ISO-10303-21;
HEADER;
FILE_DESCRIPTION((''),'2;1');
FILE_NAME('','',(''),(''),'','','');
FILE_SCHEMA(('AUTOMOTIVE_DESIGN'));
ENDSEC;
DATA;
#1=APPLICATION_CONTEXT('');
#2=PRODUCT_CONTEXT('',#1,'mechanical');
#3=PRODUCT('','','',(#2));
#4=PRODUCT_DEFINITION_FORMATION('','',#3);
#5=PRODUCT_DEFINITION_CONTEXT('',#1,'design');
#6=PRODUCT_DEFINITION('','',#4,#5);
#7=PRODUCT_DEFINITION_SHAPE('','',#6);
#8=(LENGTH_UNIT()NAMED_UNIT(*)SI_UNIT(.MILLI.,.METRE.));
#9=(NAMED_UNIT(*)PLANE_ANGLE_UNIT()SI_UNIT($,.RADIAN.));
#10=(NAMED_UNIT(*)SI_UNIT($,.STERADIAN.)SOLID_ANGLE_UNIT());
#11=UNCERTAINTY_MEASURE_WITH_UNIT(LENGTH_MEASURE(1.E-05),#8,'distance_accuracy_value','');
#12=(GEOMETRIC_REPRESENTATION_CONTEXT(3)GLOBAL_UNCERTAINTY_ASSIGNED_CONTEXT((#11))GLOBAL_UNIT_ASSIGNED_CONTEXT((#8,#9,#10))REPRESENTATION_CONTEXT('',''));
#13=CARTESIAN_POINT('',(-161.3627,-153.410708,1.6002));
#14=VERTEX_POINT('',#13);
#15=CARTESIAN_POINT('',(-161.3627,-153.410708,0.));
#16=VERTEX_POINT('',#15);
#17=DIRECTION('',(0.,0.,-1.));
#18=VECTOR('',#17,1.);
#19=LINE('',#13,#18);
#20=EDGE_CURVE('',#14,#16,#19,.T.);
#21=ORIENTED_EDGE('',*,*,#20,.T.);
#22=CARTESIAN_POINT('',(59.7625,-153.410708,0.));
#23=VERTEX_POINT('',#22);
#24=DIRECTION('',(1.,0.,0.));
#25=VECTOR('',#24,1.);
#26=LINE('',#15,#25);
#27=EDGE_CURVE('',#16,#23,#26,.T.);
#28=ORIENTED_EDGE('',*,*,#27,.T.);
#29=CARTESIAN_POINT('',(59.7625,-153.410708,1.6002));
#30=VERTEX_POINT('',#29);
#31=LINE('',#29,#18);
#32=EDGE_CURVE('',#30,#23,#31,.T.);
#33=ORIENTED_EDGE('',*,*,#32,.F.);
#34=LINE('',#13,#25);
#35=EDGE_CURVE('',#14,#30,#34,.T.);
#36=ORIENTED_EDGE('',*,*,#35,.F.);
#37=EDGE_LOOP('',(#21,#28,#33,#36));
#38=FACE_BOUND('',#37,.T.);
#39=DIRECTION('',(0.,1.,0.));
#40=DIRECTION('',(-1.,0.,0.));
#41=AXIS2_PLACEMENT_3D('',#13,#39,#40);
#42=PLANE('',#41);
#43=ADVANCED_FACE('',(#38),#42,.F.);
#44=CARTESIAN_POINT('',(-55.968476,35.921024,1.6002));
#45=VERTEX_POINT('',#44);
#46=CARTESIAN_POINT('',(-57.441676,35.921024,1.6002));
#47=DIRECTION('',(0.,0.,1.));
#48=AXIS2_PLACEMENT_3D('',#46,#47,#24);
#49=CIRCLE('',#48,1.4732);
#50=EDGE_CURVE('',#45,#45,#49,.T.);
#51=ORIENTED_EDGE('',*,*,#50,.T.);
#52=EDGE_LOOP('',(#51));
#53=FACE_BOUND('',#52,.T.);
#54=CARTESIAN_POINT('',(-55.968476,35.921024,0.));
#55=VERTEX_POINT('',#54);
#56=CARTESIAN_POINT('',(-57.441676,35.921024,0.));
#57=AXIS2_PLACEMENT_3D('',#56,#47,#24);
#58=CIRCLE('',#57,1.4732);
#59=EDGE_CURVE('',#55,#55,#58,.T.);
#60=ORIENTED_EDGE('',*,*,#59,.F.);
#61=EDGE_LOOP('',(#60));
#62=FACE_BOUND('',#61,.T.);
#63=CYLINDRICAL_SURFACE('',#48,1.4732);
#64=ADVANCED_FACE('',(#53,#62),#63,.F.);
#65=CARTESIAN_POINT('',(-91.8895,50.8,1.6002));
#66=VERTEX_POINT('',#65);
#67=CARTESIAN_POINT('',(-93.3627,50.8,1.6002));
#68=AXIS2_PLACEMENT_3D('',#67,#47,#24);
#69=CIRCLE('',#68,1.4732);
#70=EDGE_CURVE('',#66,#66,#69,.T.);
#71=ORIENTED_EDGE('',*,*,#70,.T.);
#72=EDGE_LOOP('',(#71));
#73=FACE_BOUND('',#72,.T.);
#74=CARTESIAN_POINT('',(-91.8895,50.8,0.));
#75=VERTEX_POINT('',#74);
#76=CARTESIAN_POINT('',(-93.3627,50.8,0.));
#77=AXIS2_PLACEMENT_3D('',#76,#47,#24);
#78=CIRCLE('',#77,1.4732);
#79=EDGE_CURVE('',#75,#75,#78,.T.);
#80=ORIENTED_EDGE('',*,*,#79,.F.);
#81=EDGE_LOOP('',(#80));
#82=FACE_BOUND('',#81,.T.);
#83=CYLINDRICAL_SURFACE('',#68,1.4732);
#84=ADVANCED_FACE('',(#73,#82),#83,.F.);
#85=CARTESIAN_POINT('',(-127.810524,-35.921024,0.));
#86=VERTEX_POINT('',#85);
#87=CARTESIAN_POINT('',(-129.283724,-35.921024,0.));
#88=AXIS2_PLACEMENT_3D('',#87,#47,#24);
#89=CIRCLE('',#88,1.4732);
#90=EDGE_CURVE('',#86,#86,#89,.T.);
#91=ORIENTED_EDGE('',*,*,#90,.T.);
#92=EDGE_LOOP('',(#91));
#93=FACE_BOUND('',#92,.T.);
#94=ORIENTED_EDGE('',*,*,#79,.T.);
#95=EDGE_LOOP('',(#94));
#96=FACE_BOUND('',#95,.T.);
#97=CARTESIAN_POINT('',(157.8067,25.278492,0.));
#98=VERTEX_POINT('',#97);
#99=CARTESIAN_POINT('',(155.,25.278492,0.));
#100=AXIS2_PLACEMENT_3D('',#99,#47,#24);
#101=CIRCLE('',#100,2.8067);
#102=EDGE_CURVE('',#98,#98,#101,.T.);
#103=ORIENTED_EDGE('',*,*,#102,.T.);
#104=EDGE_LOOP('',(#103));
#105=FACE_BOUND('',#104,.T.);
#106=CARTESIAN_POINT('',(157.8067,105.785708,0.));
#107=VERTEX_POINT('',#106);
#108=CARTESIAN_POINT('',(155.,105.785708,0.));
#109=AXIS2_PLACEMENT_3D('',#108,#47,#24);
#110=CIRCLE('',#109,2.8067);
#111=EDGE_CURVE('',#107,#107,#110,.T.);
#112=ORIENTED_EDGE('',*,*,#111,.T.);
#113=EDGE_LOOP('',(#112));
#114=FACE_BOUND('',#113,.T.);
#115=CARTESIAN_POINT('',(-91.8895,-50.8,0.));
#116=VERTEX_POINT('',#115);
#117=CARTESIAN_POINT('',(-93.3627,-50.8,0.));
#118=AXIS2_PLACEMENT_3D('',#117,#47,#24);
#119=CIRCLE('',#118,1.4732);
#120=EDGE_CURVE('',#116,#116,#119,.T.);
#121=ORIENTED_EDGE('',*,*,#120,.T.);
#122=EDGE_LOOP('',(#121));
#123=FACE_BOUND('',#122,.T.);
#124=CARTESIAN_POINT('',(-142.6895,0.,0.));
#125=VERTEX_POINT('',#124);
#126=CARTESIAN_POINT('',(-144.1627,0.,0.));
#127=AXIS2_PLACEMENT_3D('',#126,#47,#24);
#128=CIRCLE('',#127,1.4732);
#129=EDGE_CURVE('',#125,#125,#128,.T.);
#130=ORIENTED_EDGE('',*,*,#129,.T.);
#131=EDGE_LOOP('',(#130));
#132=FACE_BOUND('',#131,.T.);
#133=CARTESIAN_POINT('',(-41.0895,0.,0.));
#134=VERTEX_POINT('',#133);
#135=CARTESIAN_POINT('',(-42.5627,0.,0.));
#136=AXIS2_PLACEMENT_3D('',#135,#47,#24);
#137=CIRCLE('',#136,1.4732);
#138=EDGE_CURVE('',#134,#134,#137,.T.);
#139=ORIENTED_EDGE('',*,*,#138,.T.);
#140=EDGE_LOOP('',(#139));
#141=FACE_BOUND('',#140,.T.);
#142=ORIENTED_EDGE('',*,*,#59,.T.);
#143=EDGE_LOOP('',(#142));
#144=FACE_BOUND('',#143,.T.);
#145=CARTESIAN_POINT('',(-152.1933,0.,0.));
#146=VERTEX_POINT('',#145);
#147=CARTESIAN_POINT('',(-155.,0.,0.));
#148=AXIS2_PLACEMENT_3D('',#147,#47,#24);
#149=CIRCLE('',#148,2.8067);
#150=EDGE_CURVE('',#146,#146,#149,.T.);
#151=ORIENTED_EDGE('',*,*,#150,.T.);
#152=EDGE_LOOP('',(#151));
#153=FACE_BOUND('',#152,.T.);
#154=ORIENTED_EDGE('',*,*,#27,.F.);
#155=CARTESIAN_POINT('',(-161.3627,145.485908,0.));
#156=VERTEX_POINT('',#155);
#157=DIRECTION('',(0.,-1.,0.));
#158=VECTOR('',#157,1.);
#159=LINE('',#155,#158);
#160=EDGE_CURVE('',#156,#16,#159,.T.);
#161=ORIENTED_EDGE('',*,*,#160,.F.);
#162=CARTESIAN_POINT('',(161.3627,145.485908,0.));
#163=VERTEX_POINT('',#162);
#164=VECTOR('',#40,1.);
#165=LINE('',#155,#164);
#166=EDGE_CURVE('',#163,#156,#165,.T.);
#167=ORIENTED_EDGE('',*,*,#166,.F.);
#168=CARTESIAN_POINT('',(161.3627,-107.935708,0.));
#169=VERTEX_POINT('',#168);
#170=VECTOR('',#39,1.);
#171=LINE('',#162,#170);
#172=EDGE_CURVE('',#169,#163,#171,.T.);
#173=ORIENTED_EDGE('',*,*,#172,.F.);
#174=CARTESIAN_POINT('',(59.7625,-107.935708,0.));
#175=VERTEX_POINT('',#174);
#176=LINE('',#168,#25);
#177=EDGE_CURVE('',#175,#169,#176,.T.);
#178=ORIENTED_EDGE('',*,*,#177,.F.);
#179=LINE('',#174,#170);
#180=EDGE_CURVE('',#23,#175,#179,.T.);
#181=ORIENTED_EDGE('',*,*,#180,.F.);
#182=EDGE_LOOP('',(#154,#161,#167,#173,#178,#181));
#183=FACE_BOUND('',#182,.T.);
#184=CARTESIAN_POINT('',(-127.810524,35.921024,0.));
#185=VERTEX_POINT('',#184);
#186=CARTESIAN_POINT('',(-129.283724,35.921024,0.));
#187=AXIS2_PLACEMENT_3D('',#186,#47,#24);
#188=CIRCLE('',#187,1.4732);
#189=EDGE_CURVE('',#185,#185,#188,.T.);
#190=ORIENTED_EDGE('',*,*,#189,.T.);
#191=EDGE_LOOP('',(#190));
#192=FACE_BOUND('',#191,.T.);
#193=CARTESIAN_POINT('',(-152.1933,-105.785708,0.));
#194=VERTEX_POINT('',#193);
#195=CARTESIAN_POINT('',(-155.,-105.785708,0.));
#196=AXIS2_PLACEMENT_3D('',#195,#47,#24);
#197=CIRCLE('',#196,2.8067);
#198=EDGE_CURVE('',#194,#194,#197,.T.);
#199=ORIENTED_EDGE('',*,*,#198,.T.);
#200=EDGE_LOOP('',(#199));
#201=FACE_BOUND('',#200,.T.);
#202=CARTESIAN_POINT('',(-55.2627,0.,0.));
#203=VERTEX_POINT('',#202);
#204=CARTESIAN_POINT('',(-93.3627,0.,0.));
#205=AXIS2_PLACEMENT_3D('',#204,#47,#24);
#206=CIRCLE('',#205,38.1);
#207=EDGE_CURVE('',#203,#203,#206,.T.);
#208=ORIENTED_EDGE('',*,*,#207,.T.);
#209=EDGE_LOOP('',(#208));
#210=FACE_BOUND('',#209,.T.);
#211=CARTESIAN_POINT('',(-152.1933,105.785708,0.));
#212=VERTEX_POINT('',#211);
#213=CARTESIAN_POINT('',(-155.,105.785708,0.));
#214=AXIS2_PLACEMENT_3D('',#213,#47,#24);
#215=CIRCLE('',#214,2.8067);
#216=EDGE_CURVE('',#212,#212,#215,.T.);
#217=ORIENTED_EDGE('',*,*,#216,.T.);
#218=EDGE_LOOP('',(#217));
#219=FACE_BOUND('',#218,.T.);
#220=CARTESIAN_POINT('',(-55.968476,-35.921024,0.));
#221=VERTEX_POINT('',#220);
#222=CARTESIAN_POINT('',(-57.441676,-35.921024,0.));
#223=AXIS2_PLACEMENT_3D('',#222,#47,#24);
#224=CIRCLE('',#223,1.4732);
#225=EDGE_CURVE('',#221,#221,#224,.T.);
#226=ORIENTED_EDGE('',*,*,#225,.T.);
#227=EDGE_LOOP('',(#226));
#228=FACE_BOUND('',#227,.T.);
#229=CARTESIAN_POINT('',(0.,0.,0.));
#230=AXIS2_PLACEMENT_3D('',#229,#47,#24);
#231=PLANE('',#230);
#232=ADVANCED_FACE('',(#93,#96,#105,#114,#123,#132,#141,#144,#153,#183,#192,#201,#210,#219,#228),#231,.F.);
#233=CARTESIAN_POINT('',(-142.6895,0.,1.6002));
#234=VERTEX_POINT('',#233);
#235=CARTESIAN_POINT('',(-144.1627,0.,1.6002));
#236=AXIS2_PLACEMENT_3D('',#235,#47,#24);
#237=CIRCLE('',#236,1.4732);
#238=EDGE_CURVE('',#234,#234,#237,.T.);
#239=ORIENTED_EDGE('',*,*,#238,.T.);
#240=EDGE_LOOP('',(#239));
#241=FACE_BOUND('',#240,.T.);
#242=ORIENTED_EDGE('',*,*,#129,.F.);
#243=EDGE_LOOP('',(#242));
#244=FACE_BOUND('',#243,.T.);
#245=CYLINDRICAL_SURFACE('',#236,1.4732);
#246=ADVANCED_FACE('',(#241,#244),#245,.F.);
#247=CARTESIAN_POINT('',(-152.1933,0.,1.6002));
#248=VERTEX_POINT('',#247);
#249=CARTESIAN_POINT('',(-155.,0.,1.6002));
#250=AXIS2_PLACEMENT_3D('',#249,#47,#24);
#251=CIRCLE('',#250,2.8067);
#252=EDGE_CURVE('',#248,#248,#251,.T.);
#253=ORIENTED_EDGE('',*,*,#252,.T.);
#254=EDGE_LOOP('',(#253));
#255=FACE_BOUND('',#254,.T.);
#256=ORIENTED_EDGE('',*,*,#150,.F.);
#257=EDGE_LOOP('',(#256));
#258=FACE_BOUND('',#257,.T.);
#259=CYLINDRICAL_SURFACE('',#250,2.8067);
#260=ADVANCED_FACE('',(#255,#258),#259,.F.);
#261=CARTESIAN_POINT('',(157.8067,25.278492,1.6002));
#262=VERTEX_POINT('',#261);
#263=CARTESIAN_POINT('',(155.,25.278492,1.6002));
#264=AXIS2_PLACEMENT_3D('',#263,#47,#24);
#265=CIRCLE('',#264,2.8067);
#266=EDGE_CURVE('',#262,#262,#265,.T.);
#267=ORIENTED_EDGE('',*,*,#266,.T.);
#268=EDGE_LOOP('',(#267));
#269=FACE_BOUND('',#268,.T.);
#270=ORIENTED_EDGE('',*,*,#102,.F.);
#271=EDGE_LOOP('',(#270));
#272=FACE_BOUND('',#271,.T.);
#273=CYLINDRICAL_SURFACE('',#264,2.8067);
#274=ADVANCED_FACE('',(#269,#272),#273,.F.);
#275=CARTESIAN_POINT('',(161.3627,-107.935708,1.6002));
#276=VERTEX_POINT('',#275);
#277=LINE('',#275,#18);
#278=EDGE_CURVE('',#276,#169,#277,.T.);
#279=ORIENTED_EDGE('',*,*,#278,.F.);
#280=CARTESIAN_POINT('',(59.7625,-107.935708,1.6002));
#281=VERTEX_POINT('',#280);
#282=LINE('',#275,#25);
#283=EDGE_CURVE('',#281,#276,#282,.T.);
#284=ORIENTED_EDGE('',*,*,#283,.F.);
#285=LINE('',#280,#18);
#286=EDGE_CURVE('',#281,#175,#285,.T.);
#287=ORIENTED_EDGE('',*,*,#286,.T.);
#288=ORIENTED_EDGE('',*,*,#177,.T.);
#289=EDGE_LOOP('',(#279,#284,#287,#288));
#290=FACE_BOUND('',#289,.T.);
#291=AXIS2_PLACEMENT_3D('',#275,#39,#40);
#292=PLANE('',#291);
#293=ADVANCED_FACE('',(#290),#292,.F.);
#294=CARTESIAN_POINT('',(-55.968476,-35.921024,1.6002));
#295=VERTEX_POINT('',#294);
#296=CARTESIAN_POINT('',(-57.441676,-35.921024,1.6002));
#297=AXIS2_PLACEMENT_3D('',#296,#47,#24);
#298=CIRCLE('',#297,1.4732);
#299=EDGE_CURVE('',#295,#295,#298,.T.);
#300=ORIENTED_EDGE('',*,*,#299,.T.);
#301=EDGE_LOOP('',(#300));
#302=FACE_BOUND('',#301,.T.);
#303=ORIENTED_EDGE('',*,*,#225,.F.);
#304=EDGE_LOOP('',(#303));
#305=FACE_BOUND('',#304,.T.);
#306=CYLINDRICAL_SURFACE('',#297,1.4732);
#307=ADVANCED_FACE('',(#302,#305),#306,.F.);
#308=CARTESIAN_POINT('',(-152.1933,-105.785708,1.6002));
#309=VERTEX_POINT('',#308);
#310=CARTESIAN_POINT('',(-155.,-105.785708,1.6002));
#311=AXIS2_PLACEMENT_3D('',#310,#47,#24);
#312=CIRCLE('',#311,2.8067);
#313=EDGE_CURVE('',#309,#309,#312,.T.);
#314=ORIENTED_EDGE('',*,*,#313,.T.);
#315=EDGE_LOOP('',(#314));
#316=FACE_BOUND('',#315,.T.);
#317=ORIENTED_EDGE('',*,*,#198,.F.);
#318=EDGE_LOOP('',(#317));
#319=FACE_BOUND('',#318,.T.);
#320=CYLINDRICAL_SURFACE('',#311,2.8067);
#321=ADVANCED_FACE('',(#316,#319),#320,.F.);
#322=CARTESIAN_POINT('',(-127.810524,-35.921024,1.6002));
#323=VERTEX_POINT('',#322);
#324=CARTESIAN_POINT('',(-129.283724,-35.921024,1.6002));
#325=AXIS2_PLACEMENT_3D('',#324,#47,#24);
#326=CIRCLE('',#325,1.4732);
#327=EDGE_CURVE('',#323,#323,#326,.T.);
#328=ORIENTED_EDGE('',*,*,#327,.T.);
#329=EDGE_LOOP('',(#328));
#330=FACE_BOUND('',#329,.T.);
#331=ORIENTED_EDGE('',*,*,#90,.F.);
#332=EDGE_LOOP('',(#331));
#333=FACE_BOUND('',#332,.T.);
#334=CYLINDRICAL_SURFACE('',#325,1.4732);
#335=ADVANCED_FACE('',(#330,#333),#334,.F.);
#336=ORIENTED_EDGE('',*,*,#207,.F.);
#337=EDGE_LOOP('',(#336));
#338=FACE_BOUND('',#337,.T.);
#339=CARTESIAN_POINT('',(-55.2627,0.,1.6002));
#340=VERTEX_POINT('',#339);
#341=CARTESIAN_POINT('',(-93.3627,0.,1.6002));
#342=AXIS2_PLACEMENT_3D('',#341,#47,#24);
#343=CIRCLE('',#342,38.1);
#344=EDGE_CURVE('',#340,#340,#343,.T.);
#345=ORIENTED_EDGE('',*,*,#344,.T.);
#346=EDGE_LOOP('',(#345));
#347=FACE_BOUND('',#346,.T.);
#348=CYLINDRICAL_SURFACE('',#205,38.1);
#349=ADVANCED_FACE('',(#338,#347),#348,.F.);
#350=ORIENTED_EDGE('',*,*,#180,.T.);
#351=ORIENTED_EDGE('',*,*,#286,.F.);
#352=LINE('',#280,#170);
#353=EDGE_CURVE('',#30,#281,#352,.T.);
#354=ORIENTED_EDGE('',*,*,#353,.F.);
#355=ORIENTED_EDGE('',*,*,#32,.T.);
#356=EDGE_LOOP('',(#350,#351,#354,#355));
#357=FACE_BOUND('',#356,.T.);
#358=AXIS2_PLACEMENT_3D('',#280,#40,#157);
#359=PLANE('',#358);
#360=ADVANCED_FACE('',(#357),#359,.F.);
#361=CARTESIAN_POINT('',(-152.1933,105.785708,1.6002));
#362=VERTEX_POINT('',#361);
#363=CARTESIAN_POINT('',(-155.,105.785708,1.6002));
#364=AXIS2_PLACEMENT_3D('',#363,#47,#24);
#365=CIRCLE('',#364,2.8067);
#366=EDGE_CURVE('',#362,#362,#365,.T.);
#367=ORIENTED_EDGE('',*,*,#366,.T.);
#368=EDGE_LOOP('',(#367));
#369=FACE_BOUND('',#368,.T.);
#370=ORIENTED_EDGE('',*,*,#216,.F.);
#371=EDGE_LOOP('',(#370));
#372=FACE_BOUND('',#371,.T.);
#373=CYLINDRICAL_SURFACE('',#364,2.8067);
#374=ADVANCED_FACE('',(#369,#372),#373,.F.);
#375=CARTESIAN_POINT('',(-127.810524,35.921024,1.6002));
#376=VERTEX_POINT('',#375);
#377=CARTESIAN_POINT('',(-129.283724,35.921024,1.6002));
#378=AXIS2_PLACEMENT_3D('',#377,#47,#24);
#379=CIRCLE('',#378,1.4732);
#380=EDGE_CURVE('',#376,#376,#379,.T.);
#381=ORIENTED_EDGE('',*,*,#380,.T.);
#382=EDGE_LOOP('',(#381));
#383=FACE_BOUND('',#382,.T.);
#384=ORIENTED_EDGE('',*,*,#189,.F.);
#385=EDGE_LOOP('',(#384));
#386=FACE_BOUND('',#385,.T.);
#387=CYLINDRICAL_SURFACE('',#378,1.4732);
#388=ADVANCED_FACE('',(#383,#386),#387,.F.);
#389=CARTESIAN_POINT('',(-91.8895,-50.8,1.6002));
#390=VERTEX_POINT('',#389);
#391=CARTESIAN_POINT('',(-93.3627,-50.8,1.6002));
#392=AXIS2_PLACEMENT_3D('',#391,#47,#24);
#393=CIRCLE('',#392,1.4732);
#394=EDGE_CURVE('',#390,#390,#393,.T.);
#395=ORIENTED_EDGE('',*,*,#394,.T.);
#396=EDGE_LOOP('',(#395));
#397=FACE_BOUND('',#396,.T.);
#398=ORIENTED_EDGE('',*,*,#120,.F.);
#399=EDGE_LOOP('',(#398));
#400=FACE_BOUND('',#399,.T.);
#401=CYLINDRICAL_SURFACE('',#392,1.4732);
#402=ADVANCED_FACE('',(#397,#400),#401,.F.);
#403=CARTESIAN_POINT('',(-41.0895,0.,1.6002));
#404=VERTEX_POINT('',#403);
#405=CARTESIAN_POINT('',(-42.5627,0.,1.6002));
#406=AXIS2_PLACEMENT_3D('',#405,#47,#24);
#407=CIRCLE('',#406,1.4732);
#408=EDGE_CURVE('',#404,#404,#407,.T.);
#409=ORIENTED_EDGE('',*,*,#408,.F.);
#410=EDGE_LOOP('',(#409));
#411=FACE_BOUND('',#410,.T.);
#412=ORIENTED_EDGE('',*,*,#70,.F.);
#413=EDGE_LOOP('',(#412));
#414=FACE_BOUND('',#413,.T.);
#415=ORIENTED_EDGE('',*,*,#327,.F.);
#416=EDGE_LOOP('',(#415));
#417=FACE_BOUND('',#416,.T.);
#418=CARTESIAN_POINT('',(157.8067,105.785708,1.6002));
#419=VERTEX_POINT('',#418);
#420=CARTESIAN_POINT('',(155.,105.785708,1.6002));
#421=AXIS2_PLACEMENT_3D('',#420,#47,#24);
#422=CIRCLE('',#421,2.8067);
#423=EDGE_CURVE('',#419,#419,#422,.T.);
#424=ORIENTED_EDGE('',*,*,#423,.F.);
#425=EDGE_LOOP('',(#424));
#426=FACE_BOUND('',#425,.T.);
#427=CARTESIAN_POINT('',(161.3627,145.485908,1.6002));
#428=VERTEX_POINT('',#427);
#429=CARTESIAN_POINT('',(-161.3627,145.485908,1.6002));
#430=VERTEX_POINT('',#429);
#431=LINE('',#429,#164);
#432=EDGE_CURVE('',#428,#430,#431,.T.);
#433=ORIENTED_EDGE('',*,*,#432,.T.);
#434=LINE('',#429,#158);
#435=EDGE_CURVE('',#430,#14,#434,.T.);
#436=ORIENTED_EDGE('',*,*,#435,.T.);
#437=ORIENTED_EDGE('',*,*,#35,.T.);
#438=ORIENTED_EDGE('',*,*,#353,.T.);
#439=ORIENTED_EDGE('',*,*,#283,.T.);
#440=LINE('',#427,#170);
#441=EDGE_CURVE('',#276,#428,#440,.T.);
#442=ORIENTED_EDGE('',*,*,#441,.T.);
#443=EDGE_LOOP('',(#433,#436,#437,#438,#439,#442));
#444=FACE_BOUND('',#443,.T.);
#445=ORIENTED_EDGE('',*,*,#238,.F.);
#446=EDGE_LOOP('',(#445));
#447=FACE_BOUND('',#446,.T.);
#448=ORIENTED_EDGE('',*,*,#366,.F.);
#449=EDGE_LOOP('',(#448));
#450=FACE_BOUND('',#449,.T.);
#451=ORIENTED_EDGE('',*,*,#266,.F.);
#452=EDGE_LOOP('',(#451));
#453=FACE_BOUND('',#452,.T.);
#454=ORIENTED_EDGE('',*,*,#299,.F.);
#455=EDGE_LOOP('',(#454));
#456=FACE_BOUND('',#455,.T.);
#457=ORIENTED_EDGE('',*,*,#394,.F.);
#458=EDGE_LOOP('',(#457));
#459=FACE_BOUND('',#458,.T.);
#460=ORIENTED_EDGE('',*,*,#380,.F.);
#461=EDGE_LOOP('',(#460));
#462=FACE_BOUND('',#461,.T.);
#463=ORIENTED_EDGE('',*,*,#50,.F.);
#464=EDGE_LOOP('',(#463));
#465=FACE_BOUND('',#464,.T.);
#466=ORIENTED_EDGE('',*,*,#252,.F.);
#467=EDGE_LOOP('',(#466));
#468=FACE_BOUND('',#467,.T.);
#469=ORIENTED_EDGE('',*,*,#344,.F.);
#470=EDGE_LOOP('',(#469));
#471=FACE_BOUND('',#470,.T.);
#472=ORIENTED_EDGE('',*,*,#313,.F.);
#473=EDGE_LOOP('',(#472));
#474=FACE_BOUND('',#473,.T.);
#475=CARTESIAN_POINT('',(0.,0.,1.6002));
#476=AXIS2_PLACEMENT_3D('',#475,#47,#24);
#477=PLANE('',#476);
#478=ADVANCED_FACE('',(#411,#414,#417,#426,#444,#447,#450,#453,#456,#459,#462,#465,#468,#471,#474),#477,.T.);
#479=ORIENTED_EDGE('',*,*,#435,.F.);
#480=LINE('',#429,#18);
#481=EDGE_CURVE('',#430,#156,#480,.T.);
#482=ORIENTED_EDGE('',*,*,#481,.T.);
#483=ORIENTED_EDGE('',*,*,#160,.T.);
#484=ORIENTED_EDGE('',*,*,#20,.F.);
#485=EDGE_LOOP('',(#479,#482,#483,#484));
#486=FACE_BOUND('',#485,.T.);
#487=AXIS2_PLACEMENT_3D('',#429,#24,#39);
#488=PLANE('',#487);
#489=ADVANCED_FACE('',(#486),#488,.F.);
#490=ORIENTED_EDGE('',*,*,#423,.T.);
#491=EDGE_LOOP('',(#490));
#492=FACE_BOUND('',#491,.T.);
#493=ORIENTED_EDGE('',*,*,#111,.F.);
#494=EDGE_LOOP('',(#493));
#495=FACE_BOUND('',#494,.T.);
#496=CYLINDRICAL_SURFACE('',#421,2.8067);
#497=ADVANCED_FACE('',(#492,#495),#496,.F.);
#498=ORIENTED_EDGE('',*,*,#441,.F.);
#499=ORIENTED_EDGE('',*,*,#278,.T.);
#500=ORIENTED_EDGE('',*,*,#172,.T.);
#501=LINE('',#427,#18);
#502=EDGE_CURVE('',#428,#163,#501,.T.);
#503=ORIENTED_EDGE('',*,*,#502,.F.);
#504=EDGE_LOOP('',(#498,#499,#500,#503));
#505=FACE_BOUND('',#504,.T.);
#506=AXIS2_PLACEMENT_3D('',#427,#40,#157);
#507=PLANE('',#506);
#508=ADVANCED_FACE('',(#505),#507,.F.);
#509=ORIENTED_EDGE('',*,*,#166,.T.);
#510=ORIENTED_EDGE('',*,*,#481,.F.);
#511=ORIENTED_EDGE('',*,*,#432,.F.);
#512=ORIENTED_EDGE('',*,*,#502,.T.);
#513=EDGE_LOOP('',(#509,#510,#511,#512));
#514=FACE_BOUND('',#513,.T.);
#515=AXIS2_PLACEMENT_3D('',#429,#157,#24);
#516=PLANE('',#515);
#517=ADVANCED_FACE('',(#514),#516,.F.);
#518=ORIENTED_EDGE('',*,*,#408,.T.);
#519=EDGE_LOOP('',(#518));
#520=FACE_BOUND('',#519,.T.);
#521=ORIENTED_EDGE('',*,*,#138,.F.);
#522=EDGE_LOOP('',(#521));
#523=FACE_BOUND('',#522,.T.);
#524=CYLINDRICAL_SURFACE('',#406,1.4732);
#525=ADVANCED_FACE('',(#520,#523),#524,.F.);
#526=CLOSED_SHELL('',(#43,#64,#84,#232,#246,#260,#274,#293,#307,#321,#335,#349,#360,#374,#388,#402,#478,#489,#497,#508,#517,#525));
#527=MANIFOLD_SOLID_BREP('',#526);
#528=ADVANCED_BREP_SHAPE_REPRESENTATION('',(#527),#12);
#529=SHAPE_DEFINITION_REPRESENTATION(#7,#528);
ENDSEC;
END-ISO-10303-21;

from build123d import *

# Parameters (mm, degrees)
BOSS_EXTRUDE1_DEPTH        = 1.6002
SKETCH2_R                  = 38.1
CUT_EXTRUDE1_DEPTH         = 2.6002
CIRPATTERN1_COUNT          = 8
F_10_CLEARANCE_HOLE1_D     = 5.6134
F_10_CLEARANCE_HOLE1_DEPTH = 9.53
F_10_CLEARANCE_HOLE1_TIP   = 1.686435499


with BuildPart() as part:
    # Sketch1 → Boss-Extrude1 (new body)
    with BuildSketch(Plane.XY):
        Polygon((161.3627, -107.93570835), (59.7625, -107.93570835), (59.7625, -153.41070835), (-161.3627, -153.41070835), (-161.3627, 145.48590835), (161.3627, 145.48590835), align=None)
    extrude(amount=BOSS_EXTRUDE1_DEPTH)

    # Sketch2 → Cut-Extrude1 (cut, through all)
    with BuildSketch(Plane.XY.offset(1.6002)):
        with Locations((-93.3627, 0)):
            Circle(SKETCH2_R)
    extrude(amount=-CUT_EXTRUDE1_DEPTH, mode=Mode.SUBTRACT)

    # Sketch11 → #4 Clearance Hole1 (revolve, cut)
    with BuildSketch(Plane(origin=(-93.3627, 50.8, 1.6002), x_dir=(0, -1, 0), z_dir=(1, 0, 0))):
        Polygon((0, 0), (0, 173.855187864), (1.4732, 172.97), (1.4732, 0), align=None)
    f_4_clearance_hole1 = revolve(axis=Axis((-93.3627, 50.8, 7.9502), (0, 0, -1)), mode=Mode.SUBTRACT)

    # CirPattern1: #4 Clearance Hole1 ×8 about axis
    cirpattern1_axis = Axis((-93.3627, 0, 0), (0, 0, 1))
    for i in range(1, CIRPATTERN1_COUNT):
        add(f_4_clearance_hole1.rotate(cirpattern1_axis, i * 360 / CIRPATTERN1_COUNT), mode=Mode.SUBTRACT)

    # #10 Clearance Hole1
    with Locations(Plane.XY.offset(1.6002)):
        with Locations((-155, 105.78570835), (-155, 0), (-155, -105.78570835), (155, 105.78570835), (155, 25.27849165)):
            Hole(F_10_CLEARANCE_HOLE1_D / 2, depth=F_10_CLEARANCE_HOLE1_DEPTH)
            with Locations((0, 0, -(F_10_CLEARANCE_HOLE1_DEPTH + F_10_CLEARANCE_HOLE1_TIP / 2))):  # 118° drill point
                Cone(0, F_10_CLEARANCE_HOLE1_D / 2, F_10_CLEARANCE_HOLE1_TIP, mode=Mode.SUBTRACT)


solid = part.part
